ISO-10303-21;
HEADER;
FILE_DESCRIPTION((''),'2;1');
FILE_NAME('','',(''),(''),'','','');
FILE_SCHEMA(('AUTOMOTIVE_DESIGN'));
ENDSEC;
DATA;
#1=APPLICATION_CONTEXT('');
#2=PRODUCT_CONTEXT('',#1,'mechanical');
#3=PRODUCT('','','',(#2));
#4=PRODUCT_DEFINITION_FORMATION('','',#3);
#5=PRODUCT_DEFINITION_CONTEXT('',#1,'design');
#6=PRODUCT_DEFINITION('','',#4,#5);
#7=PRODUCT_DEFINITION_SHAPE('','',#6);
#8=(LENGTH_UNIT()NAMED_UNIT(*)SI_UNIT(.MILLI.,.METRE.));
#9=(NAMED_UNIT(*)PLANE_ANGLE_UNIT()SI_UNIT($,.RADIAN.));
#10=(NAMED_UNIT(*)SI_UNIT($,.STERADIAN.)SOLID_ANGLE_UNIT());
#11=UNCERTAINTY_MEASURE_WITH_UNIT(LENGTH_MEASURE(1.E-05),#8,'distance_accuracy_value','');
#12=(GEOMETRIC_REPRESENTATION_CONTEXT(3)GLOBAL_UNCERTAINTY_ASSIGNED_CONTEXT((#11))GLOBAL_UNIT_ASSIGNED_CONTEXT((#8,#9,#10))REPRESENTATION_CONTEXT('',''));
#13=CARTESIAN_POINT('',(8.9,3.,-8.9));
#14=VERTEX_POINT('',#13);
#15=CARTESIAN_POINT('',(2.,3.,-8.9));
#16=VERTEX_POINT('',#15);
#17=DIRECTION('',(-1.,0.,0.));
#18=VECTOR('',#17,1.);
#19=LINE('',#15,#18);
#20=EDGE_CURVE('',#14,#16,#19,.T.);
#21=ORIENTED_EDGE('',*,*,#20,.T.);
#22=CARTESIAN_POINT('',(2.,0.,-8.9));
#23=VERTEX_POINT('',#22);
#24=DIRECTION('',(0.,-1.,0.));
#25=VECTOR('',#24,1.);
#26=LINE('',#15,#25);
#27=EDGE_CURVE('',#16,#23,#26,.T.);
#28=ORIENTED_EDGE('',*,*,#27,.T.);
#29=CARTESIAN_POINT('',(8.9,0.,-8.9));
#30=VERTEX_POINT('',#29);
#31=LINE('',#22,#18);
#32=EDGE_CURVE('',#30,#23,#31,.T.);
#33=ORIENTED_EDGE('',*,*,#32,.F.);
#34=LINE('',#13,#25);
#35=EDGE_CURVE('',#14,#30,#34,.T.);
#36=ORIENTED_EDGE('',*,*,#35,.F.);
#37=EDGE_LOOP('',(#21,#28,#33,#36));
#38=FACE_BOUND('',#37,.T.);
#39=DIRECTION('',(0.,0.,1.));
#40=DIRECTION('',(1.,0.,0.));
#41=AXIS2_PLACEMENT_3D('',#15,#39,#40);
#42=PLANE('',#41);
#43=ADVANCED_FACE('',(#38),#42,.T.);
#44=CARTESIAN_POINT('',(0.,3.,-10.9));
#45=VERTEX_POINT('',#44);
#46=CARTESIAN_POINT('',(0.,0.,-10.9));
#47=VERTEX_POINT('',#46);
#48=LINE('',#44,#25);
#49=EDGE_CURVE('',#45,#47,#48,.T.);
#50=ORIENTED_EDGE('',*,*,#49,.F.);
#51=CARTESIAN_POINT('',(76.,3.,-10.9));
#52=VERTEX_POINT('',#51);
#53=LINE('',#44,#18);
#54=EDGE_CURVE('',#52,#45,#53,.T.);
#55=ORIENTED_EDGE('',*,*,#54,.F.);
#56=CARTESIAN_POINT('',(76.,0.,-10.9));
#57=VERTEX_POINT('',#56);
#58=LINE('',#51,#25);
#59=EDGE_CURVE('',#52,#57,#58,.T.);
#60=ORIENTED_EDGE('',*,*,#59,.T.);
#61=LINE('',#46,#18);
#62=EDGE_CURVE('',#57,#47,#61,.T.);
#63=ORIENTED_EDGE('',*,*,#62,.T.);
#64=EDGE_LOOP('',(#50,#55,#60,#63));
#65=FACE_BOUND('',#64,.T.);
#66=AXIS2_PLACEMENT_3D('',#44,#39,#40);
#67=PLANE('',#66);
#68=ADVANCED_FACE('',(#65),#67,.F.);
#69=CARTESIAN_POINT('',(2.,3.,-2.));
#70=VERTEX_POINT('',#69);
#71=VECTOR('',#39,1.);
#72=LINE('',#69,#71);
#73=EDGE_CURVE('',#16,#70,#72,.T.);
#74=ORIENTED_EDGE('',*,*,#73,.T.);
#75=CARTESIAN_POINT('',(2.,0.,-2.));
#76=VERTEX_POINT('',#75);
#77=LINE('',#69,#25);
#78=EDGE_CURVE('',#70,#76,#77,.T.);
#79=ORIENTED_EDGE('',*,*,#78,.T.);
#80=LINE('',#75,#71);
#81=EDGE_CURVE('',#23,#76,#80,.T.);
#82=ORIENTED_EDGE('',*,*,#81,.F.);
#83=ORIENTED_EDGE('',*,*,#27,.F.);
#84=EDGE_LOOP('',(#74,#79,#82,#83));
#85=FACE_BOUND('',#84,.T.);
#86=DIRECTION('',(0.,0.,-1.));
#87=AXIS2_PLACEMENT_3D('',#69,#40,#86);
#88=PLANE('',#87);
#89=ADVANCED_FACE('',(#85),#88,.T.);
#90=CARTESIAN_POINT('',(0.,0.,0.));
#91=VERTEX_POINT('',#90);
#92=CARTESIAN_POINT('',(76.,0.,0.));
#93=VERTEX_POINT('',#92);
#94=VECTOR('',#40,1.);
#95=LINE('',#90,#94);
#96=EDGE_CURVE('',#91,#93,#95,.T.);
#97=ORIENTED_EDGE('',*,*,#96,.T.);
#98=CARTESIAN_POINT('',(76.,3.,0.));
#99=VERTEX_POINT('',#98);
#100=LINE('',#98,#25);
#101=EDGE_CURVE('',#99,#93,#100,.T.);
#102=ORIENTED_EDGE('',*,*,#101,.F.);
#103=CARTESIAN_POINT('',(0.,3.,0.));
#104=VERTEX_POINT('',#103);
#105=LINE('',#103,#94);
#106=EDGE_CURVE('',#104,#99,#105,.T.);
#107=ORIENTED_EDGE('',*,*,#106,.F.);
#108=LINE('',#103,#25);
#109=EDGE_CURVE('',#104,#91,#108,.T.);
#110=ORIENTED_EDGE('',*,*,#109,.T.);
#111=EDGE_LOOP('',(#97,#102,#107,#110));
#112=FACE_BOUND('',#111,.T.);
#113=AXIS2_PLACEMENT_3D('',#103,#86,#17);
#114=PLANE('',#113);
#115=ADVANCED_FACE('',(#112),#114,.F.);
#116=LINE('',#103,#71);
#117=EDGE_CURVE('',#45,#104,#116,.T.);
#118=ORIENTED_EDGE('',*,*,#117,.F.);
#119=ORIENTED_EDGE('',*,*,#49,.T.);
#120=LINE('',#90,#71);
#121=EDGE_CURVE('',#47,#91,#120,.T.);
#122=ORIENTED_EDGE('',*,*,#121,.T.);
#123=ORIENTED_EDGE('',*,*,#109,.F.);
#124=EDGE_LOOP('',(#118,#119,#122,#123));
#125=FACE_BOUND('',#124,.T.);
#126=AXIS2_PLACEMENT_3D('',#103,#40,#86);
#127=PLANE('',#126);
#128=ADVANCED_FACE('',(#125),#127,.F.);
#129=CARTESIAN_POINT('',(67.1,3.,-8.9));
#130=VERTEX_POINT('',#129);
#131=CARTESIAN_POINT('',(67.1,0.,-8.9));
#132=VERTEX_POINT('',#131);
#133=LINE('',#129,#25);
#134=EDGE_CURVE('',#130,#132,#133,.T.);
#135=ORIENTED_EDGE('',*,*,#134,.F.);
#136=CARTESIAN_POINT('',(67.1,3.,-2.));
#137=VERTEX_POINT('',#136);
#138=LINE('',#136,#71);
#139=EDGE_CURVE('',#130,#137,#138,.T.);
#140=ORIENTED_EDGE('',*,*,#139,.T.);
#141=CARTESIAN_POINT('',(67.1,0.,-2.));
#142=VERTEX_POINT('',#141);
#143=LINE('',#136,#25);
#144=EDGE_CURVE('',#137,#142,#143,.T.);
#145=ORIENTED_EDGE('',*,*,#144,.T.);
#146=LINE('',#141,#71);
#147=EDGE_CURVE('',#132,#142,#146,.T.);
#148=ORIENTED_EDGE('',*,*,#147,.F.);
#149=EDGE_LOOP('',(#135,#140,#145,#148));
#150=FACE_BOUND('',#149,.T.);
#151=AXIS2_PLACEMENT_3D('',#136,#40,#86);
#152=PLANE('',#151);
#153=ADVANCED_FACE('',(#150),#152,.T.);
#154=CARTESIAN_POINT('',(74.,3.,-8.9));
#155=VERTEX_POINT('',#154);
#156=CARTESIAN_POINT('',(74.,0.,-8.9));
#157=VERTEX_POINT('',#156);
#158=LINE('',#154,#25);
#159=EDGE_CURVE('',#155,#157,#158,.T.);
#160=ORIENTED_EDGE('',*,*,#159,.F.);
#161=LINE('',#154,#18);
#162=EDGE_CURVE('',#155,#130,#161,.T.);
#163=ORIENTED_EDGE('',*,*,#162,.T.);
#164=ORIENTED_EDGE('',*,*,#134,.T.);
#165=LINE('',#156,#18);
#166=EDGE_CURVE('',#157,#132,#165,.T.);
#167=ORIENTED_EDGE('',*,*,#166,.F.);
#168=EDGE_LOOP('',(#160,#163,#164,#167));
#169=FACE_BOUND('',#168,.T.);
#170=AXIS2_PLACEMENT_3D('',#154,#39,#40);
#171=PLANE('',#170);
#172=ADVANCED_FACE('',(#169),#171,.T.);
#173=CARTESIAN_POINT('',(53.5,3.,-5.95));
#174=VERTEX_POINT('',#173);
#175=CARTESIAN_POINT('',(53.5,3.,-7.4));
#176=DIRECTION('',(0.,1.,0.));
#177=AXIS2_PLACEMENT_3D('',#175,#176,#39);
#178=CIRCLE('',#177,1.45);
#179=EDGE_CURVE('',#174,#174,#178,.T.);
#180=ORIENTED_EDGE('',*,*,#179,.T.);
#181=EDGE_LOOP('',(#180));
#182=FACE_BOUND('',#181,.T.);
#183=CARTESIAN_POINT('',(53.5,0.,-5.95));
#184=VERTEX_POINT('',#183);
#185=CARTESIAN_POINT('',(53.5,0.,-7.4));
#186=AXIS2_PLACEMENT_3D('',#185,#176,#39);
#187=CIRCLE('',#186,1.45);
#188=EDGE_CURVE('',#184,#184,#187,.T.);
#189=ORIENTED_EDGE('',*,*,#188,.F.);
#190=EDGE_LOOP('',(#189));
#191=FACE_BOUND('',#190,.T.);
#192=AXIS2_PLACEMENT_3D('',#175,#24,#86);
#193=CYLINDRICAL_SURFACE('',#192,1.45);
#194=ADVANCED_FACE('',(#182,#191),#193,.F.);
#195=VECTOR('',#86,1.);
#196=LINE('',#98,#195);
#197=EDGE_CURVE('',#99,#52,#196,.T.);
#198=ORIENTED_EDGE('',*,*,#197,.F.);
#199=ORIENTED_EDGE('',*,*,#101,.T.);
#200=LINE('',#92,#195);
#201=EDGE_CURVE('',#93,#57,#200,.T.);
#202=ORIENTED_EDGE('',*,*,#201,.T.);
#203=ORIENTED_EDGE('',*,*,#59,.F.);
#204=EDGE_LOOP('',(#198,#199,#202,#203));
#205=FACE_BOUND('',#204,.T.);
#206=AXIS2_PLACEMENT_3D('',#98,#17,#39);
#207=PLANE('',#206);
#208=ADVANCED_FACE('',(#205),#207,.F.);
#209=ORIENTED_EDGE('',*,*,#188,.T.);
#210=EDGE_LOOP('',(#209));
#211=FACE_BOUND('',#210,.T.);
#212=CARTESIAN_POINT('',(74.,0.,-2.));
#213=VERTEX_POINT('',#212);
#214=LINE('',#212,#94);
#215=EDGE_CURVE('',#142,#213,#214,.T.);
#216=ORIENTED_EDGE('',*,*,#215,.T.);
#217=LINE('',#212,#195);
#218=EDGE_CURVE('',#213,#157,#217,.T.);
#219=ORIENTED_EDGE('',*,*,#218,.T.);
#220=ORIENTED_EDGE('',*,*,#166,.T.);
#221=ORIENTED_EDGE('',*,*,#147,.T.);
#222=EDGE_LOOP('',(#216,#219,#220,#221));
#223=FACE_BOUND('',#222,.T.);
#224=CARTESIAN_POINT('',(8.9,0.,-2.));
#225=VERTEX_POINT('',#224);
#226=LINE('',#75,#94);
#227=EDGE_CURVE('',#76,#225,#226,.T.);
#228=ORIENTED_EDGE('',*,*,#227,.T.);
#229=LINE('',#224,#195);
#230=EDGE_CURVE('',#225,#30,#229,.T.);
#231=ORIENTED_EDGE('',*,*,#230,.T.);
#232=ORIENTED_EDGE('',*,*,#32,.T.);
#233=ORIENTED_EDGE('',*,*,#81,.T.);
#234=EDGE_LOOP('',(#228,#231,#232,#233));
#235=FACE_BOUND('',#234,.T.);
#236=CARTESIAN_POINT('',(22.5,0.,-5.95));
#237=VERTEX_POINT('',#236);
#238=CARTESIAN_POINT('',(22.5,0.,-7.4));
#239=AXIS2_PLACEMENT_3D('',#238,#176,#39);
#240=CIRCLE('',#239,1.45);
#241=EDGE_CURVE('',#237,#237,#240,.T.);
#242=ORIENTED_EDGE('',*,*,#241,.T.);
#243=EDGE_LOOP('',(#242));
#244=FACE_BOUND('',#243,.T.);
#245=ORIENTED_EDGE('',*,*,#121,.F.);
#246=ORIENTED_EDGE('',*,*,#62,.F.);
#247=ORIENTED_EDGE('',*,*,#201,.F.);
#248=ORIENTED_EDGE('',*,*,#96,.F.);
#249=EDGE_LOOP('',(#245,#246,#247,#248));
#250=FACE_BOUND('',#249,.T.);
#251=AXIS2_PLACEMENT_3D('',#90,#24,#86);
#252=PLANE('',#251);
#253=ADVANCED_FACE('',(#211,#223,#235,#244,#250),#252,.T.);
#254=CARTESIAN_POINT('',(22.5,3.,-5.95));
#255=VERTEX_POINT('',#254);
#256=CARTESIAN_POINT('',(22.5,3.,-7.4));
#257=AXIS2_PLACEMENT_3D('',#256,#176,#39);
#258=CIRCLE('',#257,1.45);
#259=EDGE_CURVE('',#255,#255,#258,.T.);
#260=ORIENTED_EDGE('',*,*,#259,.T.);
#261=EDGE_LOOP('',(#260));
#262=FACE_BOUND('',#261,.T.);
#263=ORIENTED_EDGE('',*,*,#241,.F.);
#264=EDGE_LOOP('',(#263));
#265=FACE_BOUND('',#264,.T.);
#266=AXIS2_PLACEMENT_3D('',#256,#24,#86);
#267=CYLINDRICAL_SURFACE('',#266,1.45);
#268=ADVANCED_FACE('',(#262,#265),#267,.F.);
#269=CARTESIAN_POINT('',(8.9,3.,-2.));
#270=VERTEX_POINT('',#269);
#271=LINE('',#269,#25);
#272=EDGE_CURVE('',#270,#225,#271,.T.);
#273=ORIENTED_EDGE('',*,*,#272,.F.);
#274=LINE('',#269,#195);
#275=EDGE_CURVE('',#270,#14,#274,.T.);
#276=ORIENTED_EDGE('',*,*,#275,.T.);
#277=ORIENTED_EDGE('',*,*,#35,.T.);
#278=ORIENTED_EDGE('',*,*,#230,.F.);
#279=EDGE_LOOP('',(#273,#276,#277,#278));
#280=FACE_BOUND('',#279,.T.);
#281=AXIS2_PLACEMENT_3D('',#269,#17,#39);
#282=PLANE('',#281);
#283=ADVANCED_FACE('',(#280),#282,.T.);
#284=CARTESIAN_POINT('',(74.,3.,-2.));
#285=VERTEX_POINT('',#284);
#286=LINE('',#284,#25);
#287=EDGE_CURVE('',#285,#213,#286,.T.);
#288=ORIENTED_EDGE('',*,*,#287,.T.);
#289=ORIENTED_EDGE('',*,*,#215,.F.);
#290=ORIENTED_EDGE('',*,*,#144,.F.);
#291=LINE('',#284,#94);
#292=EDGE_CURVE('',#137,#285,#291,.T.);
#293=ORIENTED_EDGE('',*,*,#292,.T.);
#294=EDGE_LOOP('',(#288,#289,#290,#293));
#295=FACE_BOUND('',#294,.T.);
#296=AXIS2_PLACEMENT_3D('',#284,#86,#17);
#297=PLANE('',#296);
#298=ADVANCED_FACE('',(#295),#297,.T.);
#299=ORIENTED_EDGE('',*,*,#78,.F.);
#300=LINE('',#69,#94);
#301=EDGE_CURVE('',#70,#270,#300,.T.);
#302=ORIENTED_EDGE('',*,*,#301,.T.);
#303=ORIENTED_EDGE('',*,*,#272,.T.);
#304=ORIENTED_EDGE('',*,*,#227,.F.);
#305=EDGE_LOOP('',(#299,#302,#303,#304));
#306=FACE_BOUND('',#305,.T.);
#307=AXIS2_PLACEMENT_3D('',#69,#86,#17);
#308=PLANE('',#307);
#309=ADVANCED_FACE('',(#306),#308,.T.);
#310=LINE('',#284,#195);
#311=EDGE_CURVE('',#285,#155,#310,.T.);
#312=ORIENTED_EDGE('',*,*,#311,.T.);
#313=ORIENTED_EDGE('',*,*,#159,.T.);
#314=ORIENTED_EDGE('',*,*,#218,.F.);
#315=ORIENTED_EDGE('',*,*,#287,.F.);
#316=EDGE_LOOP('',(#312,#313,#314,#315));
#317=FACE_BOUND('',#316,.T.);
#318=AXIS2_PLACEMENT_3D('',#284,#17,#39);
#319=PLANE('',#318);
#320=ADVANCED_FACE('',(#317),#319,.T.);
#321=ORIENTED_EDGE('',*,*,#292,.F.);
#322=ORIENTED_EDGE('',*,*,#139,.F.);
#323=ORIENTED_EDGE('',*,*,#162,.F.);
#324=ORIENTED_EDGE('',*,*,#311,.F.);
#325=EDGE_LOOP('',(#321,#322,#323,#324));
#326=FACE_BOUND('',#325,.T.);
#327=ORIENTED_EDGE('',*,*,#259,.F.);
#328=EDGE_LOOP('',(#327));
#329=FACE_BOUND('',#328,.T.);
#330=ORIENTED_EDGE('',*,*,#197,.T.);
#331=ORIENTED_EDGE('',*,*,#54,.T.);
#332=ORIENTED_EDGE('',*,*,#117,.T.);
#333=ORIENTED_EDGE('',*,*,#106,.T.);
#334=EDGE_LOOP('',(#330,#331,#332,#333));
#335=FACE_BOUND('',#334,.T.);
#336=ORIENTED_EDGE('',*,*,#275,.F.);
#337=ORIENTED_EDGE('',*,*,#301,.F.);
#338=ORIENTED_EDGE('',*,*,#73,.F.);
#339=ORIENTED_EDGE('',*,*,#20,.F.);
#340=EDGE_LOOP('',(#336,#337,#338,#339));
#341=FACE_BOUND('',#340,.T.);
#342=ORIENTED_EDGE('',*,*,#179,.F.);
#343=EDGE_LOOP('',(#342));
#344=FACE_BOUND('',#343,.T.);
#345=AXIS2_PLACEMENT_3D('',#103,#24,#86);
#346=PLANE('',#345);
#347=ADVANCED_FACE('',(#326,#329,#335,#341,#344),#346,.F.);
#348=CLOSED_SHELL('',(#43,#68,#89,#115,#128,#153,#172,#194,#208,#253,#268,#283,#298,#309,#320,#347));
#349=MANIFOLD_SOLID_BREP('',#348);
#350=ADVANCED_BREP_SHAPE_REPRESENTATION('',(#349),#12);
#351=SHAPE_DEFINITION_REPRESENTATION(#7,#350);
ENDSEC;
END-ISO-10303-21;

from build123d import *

# Parameters (mm, degrees)
ESQUISSE1_W        = 76
ESQUISSE1_H        = 10.9
ESQUISSE1_R        = 1.45
ESQUISSE1_W_2      = 6.9
ESQUISSE1_H_2      = 6.9
BOSS_EXTRU_1_DEPTH = 3


with BuildPart() as part:
    # Esquisse1 → Boss.-Extru.1 (new body)
    with BuildSketch(Plane(origin=(0, 0, 0), x_dir=(1, 0, 0), z_dir=(0, 1, 0))):
        with Locations((38, 5.45)):
            Rectangle(ESQUISSE1_W, ESQUISSE1_H)
        with Locations(Location((22.5, 7.4, 0), (0, 0, 270))):
            Circle(ESQUISSE1_R, mode=Mode.SUBTRACT)
        with Locations(Location((53.5, 7.4, 0), (0, 0, 270))):
            Circle(ESQUISSE1_R, mode=Mode.SUBTRACT)
        with Locations((5.45, 5.45)):
            Rectangle(ESQUISSE1_W_2, ESQUISSE1_H_2, mode=Mode.SUBTRACT)
        with Locations((70.55, 5.45)):
            Rectangle(ESQUISSE1_W_2, ESQUISSE1_H_2, mode=Mode.SUBTRACT)
    extrude(amount=BOSS_EXTRU_1_DEPTH)


solid = part.part
